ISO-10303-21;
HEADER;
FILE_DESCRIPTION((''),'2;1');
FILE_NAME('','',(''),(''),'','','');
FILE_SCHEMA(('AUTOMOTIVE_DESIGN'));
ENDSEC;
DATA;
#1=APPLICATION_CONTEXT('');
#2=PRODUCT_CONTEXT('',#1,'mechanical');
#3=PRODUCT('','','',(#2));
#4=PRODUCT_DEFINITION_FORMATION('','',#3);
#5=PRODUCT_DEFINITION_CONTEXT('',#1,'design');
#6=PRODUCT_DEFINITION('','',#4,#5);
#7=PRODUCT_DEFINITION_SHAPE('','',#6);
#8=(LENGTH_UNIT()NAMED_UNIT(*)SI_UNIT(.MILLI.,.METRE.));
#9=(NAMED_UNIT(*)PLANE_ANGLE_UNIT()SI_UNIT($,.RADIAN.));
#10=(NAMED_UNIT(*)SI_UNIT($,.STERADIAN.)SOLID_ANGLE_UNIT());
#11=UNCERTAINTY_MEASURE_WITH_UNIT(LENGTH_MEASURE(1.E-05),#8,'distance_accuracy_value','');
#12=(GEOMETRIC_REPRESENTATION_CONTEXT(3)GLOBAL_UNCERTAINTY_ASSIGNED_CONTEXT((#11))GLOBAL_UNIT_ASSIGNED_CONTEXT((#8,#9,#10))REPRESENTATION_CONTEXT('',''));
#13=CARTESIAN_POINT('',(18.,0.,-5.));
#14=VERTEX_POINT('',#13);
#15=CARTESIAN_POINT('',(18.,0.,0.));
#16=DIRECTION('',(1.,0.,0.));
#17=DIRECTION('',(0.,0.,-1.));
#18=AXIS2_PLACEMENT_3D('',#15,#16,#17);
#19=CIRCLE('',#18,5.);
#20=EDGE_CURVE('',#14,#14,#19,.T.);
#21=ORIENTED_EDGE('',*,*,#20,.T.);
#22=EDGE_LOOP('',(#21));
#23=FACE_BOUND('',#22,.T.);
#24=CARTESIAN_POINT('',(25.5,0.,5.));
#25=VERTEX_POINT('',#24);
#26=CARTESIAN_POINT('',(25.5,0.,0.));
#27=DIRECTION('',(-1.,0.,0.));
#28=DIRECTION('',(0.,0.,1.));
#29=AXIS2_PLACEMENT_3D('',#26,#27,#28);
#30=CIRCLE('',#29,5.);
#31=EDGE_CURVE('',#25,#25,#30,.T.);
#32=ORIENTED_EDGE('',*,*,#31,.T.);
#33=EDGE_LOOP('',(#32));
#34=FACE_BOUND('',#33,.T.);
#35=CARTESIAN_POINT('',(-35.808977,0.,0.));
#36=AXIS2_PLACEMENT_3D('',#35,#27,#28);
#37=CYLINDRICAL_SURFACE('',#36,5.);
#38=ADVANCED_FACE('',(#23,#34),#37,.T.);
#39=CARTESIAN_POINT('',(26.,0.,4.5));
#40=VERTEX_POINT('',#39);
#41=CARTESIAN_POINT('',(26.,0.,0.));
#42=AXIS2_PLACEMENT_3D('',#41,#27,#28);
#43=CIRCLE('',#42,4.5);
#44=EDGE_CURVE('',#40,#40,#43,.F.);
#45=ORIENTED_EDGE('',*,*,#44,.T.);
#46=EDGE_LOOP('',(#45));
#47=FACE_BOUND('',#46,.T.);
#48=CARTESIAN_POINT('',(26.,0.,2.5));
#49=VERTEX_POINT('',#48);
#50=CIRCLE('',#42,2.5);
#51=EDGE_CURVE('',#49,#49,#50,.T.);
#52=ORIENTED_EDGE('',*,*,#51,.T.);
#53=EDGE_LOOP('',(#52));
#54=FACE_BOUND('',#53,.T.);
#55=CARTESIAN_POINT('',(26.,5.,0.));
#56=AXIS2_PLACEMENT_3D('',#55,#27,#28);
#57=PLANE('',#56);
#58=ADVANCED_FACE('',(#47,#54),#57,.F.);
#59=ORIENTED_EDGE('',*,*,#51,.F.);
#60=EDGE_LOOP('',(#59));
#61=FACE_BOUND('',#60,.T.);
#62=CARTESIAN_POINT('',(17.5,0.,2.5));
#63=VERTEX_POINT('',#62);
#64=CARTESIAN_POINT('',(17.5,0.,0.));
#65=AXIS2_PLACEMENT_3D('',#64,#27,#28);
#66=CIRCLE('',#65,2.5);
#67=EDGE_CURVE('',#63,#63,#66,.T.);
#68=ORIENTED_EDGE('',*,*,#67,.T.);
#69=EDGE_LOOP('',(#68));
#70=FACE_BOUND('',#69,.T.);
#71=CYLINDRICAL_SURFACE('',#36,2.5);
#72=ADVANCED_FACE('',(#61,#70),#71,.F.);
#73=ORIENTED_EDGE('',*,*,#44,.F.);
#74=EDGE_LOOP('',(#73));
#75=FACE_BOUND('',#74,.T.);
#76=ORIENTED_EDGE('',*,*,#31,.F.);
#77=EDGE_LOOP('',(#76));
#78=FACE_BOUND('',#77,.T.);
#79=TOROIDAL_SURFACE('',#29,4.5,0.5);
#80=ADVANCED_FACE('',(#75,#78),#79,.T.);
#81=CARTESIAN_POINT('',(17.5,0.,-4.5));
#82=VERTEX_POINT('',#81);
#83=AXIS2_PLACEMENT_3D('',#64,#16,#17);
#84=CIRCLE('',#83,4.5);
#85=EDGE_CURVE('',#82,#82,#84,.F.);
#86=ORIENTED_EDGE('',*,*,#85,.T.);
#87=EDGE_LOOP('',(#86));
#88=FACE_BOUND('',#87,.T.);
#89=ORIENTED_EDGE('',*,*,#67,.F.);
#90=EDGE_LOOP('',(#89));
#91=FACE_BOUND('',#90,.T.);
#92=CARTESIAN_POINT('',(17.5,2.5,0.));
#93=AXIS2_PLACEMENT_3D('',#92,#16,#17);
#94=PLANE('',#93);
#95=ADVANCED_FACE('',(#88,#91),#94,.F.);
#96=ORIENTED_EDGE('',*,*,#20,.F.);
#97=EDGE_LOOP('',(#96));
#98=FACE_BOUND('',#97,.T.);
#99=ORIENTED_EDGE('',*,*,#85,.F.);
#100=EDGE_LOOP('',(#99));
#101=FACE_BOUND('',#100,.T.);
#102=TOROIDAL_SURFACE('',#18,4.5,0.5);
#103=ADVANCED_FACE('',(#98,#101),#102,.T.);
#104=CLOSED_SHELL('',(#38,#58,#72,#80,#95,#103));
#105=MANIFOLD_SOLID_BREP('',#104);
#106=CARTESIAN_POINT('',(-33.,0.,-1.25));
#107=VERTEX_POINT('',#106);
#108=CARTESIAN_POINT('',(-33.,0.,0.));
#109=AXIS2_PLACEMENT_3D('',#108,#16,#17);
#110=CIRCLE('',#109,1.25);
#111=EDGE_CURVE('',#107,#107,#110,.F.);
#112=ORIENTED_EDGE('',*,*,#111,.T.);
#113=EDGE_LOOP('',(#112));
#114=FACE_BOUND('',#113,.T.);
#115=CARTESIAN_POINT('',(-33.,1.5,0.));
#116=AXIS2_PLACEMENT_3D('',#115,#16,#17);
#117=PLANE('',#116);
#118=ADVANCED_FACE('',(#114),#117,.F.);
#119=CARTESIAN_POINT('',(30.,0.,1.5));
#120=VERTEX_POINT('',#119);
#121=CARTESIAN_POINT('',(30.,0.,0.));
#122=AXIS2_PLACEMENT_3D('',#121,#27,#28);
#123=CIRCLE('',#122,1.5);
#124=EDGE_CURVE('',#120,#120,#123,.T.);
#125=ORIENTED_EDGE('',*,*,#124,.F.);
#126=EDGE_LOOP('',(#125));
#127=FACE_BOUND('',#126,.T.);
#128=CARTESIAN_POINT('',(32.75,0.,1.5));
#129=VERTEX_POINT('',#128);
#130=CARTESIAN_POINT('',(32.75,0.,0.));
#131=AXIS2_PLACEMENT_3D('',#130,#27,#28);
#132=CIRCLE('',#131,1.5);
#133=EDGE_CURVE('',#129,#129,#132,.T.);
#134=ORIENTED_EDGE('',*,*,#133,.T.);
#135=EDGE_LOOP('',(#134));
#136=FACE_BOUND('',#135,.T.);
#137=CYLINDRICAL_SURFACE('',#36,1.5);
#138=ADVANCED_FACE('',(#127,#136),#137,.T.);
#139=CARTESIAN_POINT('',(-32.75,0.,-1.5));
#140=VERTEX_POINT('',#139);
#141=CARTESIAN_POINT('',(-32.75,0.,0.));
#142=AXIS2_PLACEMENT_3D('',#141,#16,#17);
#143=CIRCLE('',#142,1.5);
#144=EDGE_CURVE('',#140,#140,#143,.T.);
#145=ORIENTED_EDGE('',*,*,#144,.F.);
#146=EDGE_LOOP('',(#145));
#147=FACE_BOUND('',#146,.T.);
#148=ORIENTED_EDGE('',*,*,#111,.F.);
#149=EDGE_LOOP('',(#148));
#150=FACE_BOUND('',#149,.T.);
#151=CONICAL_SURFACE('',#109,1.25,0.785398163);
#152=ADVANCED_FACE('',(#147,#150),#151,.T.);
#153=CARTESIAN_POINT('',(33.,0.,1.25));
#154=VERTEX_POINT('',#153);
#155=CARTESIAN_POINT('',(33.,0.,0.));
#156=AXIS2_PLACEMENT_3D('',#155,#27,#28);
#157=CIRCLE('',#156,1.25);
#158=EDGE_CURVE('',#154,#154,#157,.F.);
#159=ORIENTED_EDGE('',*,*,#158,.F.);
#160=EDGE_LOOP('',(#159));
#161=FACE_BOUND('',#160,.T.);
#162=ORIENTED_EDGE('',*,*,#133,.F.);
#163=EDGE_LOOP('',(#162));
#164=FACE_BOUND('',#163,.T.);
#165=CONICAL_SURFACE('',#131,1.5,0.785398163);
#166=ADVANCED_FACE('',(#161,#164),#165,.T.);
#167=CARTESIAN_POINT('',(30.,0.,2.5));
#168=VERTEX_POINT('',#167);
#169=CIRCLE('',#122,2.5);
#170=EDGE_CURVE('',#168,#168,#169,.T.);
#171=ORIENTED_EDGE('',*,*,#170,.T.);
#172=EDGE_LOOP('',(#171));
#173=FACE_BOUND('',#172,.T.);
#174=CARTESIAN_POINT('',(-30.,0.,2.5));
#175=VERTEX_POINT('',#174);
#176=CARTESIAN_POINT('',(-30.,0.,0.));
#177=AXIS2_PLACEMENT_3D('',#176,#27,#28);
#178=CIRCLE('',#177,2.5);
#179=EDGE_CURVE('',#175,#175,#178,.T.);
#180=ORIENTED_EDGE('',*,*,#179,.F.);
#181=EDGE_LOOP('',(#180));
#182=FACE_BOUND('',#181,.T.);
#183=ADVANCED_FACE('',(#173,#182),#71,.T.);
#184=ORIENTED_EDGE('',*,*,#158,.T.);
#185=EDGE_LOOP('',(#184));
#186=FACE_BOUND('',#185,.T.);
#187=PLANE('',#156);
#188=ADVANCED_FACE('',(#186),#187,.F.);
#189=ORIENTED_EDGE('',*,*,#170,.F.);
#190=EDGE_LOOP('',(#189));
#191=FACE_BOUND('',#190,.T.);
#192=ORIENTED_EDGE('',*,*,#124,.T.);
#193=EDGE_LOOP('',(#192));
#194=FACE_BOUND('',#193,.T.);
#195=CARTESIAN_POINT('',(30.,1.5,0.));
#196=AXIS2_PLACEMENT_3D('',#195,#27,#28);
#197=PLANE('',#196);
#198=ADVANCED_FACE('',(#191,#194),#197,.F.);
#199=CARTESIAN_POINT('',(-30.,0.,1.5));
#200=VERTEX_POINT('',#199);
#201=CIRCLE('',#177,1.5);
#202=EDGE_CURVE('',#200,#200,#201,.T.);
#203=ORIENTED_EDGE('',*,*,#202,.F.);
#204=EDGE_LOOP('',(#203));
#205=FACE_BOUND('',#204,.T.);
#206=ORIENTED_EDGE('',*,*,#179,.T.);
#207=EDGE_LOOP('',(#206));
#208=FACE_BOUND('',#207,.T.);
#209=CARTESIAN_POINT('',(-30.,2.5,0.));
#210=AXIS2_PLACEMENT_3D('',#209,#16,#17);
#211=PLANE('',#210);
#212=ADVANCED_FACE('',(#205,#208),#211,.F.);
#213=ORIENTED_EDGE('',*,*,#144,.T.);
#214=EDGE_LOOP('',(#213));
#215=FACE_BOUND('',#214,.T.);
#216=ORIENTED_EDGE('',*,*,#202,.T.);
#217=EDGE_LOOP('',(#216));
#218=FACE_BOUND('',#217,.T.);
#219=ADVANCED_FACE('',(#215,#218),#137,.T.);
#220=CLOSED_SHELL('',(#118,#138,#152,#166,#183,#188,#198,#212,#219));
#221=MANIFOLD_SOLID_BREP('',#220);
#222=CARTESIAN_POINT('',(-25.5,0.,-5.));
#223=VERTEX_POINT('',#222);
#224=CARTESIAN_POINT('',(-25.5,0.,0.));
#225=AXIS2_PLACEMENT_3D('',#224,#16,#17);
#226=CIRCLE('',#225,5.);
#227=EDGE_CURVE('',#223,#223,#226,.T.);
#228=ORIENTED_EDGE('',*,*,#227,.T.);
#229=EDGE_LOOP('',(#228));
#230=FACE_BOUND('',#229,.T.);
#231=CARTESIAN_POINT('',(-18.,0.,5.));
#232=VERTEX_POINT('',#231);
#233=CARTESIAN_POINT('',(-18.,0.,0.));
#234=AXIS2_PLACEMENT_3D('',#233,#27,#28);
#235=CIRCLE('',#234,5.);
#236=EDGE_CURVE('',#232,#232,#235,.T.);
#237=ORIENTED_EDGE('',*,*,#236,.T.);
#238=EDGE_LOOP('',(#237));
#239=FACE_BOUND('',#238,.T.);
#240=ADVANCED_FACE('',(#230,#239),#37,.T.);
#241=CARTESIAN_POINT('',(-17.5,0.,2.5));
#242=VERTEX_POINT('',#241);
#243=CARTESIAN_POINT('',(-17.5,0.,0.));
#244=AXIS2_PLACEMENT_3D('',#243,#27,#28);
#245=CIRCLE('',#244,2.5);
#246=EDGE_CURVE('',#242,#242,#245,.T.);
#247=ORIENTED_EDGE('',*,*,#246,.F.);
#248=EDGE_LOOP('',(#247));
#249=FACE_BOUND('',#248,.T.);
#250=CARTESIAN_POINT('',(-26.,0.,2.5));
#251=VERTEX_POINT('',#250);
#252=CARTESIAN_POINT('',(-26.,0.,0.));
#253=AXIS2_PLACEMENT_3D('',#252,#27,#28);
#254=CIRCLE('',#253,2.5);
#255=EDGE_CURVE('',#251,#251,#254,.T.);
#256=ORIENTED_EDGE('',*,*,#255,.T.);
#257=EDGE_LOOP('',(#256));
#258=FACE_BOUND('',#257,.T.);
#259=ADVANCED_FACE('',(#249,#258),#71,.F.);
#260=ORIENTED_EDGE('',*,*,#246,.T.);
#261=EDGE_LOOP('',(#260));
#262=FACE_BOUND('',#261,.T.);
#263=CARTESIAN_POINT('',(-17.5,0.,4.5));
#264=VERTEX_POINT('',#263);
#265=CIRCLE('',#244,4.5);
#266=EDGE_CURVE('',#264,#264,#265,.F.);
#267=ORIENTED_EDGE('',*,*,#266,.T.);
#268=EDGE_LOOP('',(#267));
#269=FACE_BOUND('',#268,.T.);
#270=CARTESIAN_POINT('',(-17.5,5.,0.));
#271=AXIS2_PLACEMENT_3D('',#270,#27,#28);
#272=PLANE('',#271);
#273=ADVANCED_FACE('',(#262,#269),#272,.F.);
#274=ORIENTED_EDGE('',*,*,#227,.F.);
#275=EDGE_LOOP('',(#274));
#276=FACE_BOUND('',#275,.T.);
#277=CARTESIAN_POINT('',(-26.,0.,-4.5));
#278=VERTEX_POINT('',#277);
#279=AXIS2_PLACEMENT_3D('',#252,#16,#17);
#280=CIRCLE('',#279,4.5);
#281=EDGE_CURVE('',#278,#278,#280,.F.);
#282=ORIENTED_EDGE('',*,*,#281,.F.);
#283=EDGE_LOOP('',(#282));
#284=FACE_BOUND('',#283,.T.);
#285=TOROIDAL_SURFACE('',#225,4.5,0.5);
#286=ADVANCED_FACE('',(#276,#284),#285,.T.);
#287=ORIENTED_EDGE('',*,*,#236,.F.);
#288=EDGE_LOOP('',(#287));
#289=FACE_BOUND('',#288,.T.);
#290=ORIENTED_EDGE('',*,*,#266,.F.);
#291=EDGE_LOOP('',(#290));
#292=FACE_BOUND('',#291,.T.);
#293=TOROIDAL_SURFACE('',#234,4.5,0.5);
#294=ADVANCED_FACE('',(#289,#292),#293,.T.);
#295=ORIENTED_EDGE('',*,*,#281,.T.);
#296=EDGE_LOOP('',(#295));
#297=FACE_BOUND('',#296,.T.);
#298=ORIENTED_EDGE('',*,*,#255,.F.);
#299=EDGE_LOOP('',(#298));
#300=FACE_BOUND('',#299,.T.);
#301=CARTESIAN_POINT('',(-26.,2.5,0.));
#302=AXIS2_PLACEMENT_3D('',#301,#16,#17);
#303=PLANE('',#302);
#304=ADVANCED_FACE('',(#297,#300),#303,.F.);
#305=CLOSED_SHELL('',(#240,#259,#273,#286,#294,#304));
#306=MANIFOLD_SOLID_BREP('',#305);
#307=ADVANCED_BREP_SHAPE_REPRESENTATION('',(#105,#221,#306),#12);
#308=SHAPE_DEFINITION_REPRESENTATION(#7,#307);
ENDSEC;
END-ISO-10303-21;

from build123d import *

# Parameters (mm, degrees)
SKETCH2_W     = 8.5
SKETCH2_H     = 2.5
FILLET1_R     = 0.5
FILLET2_R     = 0.5
CHAMFER1_SIZE = 0.25


with BuildPart() as part:
    # Sketch1 → Revolve1 (revolve)
    with BuildSketch(Plane.XY, mode=Mode.PRIVATE) as revolve1_sk:
        Polygon((33, 0), (33, 1.5), (30, 1.5), (30, 2.5), (-30, 2.5), (-30, 1.5), (-33, 1.5), (-33, 0), align=None)
    revolve(revolve1_sk.sketch.rotate(Axis((-35.808977143, 0, 0), (1, 0, 0)), 90), axis=Axis((-35.808977143, 0, 0), (1, 0, 0)))

    # Chamfer1
    chamfer1_edges = [part.edges().sort_by_distance(p)[0] for p in [
        (-33, 0, -1.5),
        (33, 0, -1.5),
    ]]
    chamfer(chamfer1_edges, length=CHAMFER1_SIZE)


with BuildPart() as body_2:
    # Sketch2 → Revolve2 (revolve)
    with BuildSketch(Plane.XY, mode=Mode.PRIVATE) as revolve2_sk:
        with Locations((-21.75, 3.75)):
            Rectangle(SKETCH2_W, SKETCH2_H)
        with Locations((21.75, 3.75)):
            Rectangle(SKETCH2_W, SKETCH2_H)
    revolve(revolve2_sk.sketch.rotate(Axis((-35.808977143, 0, 0), (1, 0, 0)), 90), axis=Axis((-35.808977143, 0, 0), (1, 0, 0)))

    # Fillet1
    fillet1_edges = [body_2.edges().sort_by_distance(p)[0] for p in [
        (-17.5, 0, -5),
        (-26, 0, -5),
    ]]
    fillet(fillet1_edges, radius=FILLET1_R)

    # Fillet2
    fillet2_edges = [body_2.edges().sort_by_distance(p)[0] for p in [
        (26, 0, -5),
        (17.5, 0, -5),
    ]]
    fillet(fillet2_edges, radius=FILLET2_R)


solid = Compound([part.part, body_2.part])
